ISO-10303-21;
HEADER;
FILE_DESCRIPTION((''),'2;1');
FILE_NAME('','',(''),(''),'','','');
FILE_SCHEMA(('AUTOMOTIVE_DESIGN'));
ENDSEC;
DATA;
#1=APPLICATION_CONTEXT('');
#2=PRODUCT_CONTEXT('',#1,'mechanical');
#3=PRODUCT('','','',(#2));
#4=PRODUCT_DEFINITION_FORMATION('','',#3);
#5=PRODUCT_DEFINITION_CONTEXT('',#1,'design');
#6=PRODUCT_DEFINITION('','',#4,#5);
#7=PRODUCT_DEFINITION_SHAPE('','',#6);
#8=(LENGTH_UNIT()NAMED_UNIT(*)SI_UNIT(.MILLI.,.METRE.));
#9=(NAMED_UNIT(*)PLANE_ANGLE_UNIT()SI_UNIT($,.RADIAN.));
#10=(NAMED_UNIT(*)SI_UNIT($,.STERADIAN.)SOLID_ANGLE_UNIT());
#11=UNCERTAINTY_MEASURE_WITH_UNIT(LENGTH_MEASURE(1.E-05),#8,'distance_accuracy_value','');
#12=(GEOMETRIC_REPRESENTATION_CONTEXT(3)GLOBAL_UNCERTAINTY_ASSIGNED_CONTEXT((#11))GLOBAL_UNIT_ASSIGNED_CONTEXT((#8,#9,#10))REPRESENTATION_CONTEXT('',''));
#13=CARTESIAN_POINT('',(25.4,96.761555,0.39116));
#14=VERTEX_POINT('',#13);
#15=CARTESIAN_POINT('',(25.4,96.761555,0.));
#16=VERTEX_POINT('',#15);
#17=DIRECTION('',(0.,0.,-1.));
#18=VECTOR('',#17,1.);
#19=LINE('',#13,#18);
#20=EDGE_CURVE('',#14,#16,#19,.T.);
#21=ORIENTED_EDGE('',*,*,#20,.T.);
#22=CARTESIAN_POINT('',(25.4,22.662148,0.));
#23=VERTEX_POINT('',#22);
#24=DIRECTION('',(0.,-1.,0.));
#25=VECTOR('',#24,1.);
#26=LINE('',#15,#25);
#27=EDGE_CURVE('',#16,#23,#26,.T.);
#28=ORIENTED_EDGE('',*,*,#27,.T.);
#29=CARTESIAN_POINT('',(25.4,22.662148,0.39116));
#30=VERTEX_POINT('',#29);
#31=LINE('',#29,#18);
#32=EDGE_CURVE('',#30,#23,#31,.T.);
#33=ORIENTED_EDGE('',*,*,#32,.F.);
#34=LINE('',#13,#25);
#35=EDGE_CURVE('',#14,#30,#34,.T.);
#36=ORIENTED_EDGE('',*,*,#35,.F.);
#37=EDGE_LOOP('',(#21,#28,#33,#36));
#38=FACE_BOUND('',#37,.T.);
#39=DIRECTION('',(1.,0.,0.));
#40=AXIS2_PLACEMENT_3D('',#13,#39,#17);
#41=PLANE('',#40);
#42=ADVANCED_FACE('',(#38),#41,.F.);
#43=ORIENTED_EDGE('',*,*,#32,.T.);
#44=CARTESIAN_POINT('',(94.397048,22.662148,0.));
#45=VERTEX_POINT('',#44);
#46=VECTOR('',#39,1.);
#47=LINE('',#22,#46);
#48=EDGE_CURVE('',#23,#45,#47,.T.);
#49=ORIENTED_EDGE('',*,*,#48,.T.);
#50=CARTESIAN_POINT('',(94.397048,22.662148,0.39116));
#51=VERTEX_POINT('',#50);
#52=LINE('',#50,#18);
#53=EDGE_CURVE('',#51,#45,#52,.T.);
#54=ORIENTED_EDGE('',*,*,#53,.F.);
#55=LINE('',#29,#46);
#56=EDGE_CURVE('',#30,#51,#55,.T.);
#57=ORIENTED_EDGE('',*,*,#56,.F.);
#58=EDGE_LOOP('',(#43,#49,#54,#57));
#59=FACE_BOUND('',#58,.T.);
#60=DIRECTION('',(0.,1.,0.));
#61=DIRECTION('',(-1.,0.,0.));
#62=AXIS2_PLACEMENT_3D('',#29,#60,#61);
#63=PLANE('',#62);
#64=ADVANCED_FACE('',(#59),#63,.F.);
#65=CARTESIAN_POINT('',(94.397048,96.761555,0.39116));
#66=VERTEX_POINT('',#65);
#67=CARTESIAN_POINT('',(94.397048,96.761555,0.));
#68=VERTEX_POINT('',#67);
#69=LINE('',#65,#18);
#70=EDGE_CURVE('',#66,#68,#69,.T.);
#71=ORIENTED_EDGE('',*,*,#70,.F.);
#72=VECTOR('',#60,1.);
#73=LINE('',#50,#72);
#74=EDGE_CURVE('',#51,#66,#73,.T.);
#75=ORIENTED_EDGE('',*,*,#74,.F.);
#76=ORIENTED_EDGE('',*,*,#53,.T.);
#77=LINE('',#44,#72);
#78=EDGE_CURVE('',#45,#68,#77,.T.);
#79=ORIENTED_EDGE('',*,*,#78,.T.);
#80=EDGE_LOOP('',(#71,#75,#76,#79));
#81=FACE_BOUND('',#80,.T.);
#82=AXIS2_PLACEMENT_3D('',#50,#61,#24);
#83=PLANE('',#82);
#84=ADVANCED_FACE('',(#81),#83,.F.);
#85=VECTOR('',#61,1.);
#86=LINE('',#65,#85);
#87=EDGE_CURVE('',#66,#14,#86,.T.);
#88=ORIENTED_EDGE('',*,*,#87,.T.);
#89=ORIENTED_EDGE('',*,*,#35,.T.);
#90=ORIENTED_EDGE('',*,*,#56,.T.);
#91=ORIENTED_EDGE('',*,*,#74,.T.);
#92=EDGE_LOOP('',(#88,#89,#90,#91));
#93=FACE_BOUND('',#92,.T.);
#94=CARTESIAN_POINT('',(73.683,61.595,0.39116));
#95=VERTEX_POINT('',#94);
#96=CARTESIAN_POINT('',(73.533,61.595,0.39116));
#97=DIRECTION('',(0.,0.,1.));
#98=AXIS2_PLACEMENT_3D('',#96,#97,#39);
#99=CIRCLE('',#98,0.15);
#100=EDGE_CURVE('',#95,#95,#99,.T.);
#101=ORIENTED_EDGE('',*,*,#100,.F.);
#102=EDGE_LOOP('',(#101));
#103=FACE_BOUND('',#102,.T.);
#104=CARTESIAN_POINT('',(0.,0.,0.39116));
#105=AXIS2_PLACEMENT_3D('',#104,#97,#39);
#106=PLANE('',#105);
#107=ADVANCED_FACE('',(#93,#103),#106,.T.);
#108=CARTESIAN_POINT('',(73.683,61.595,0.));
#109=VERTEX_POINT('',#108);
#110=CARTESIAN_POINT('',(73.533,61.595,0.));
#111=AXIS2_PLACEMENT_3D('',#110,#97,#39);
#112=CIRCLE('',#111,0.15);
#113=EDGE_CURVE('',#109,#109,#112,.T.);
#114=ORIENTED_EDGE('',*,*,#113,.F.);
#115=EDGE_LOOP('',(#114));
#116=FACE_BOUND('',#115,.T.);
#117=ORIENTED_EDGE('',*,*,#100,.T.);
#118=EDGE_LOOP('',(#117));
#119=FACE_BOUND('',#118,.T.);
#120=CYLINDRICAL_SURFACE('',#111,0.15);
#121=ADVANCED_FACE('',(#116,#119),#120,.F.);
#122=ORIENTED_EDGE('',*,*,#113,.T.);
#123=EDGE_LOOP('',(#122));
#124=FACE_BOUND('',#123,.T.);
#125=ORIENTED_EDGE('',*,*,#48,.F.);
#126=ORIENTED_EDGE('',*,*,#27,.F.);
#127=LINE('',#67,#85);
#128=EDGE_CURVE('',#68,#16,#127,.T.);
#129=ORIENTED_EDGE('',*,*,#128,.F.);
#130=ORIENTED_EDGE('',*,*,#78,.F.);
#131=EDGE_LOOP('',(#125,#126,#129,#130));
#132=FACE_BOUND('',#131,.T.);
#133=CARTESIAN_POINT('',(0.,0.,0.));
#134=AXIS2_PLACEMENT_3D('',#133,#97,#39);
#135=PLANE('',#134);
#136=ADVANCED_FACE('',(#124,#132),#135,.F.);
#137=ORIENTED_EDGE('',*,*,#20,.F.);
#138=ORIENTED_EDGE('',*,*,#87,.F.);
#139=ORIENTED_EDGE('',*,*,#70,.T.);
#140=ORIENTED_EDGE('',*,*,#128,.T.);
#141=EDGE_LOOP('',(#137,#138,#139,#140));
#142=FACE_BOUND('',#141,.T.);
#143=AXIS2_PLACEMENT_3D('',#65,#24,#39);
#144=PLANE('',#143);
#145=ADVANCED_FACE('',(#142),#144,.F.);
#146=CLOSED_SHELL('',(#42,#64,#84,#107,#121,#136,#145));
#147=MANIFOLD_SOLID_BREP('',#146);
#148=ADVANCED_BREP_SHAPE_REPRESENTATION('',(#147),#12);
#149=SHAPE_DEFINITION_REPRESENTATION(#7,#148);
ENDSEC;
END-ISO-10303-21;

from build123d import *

# Parameters (mm, degrees)
SKETCH_1_W          = 68.997048069
SKETCH_1_H          = 74.099407003
BOARD_DEPTH         = 0.39116
SKETCH_2_R          = 0.15
CUT_EXTRUDE_1_DEPTH = 0.39116


with BuildPart() as part:
    # Эскиз1 → Board (new body)
    with BuildSketch(Plane.XY):
        with Locations((59.898524035, 59.711851368)):
            Rectangle(SKETCH_1_W, SKETCH_1_H)
    extrude(amount=BOARD_DEPTH)

    # Эскиз2 → Вырез-Вытянуть1 (cut)
    with BuildSketch(Plane.XY.offset(0.39116)):
        with Locations((73.533, 61.595)):
            Circle(SKETCH_2_R)
    extrude(amount=-CUT_EXTRUDE_1_DEPTH, mode=Mode.SUBTRACT)


solid = part.part
